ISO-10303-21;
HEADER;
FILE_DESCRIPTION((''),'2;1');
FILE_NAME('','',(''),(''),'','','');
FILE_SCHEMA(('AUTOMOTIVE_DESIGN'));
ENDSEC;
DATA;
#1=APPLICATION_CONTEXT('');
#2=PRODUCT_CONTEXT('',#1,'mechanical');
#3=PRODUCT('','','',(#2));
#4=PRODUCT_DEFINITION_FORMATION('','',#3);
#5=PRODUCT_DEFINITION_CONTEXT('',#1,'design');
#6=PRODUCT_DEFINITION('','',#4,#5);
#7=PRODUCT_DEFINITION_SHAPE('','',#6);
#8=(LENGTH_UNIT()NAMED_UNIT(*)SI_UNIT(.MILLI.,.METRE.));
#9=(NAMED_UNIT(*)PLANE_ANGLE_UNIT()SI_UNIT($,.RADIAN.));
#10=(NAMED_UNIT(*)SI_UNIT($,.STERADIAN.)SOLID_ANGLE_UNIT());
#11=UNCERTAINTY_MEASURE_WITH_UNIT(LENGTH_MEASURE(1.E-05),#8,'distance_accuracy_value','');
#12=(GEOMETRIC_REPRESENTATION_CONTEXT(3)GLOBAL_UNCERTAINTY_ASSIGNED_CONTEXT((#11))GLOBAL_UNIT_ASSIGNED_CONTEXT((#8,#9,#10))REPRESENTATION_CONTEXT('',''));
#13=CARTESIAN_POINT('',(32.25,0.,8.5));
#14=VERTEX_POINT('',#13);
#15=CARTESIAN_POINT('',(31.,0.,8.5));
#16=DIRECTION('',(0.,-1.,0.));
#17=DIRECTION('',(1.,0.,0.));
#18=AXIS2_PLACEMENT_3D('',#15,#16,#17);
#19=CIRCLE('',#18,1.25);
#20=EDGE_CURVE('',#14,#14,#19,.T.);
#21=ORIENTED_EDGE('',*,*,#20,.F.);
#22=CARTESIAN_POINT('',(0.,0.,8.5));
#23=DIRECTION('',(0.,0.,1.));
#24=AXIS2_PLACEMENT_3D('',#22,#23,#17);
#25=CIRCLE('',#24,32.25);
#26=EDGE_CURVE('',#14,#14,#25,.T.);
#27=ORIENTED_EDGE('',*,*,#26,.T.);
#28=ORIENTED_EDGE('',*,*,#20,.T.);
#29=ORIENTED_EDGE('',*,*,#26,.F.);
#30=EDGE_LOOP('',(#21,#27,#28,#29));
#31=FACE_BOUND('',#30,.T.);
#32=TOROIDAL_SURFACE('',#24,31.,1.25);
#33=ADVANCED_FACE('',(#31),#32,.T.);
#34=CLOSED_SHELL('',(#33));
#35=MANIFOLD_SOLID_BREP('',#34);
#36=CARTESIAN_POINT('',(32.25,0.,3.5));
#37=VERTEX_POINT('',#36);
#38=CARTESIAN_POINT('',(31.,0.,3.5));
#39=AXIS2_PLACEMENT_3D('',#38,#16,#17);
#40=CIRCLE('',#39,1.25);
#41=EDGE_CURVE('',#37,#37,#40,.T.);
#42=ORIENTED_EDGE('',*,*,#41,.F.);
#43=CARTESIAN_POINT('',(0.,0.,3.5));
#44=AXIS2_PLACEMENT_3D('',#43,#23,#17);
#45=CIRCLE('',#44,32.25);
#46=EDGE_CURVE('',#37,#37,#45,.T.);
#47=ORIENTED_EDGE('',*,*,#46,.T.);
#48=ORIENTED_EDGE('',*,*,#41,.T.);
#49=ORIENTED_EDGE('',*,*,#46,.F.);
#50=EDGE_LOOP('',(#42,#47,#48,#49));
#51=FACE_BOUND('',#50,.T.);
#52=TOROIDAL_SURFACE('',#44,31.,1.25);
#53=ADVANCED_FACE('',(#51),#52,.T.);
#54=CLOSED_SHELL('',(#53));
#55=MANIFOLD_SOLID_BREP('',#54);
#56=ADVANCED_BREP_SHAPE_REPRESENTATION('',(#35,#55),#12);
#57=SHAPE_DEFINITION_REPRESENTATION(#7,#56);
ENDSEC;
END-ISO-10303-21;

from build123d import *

# Parameters (mm, degrees)
TORUS001_R = 1.25
TORUS_R    = 1.25


with BuildPart() as torus001:
    # Torus001 → Torus001 (revolve)
    with BuildSketch(Plane(origin=(0, 0, 8.5), x_dir=(1, 0, 0), z_dir=(0, -1, 0))):
        with Locations((31, 0)):
            Circle(TORUS001_R)
    revolve(axis=Axis((0, 0, 8.5), (0, 0, 1)))


with BuildPart() as cubierta_mclon_2_5mm:
    # Torus → Torus (revolve)
    with BuildSketch(Plane(origin=(0, 0, 3.5), x_dir=(1, 0, 0), z_dir=(0, -1, 0))):
        with Locations((31, 0)):
            Circle(TORUS_R)
    revolve(axis=Axis((0, 0, 3.5), (0, 0, 1)))

    # Fusion: union Torus001
    add(torus001.part)


solid = cubierta_mclon_2_5mm.part
